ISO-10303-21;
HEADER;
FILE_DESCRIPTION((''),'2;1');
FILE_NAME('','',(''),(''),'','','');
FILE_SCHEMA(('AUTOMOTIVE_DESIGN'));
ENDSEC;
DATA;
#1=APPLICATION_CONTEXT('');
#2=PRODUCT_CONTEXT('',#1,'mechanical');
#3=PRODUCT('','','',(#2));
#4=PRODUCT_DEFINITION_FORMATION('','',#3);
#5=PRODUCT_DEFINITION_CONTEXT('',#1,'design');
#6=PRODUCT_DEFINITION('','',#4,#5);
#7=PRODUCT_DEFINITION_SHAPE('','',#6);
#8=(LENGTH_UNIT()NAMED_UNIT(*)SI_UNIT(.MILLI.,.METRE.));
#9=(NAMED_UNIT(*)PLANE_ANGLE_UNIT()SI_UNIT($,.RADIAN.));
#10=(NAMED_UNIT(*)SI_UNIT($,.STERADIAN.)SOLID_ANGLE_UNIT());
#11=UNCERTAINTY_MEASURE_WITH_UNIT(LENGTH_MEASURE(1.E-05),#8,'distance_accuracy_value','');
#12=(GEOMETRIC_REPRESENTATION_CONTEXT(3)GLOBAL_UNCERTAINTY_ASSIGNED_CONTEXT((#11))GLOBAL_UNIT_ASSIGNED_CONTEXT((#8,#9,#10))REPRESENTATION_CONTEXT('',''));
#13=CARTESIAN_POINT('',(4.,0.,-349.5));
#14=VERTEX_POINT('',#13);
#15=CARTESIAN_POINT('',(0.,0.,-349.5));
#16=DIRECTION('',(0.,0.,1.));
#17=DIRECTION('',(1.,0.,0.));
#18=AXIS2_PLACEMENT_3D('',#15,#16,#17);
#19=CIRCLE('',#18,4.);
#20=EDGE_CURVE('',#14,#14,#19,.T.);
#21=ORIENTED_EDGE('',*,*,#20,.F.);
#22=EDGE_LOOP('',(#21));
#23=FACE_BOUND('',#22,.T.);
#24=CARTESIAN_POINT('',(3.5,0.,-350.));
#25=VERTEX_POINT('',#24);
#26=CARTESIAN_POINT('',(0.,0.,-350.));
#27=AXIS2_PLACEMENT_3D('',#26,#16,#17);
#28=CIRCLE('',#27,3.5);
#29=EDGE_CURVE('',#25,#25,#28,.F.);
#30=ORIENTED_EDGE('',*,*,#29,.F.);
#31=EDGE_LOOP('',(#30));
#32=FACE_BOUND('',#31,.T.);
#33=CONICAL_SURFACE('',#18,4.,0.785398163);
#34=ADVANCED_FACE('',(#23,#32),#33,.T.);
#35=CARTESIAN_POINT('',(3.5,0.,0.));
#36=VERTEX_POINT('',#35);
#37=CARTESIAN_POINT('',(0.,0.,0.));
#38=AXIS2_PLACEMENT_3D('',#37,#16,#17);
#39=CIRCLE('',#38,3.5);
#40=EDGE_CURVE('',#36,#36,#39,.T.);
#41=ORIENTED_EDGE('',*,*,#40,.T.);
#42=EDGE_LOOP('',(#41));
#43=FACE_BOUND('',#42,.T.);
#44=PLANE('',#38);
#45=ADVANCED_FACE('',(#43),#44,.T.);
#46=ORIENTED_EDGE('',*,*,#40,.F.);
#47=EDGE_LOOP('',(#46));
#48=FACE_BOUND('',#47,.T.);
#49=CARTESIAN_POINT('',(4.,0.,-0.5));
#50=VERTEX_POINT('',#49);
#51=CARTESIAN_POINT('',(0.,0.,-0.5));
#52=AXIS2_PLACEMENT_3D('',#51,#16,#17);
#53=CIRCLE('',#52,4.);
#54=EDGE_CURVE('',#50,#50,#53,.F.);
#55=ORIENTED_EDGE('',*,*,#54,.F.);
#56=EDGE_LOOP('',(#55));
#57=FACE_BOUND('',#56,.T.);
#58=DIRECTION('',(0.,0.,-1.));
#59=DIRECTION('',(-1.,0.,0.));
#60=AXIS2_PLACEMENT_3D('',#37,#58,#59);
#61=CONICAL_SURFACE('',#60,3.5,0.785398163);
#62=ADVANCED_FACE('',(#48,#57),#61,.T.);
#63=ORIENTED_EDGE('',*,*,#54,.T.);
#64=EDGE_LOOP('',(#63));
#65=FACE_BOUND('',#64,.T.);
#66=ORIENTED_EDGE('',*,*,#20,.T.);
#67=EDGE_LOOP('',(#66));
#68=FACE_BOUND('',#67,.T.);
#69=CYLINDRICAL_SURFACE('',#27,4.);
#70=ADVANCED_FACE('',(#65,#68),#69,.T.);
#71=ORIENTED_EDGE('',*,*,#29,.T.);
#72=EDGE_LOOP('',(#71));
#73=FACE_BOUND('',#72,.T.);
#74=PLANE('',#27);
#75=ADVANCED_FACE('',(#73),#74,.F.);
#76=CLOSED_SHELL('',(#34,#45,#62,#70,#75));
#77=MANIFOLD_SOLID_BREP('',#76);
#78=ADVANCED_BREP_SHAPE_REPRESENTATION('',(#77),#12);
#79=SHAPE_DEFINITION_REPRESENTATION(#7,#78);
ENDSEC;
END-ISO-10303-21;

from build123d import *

# Parameters (mm, degrees)
SKETCH1_R           = 4
BOSS_EXTRUDE1_DEPTH = 350
CHAMFER1_SIZE       = 0.5


with BuildPart() as part:
    # Sketch1 → Boss-Extrude1 (new body)
    with BuildSketch(Plane.XY):
        Circle(SKETCH1_R)
    extrude(amount=-BOSS_EXTRUDE1_DEPTH)

    # Chamfer1
    chamfer1_edges = [part.edges().sort_by_distance(p)[0] for p in [
        (-4, 0, 0),
        (-4, 0, -350),
    ]]
    chamfer(chamfer1_edges, length=CHAMFER1_SIZE)


solid = part.part
